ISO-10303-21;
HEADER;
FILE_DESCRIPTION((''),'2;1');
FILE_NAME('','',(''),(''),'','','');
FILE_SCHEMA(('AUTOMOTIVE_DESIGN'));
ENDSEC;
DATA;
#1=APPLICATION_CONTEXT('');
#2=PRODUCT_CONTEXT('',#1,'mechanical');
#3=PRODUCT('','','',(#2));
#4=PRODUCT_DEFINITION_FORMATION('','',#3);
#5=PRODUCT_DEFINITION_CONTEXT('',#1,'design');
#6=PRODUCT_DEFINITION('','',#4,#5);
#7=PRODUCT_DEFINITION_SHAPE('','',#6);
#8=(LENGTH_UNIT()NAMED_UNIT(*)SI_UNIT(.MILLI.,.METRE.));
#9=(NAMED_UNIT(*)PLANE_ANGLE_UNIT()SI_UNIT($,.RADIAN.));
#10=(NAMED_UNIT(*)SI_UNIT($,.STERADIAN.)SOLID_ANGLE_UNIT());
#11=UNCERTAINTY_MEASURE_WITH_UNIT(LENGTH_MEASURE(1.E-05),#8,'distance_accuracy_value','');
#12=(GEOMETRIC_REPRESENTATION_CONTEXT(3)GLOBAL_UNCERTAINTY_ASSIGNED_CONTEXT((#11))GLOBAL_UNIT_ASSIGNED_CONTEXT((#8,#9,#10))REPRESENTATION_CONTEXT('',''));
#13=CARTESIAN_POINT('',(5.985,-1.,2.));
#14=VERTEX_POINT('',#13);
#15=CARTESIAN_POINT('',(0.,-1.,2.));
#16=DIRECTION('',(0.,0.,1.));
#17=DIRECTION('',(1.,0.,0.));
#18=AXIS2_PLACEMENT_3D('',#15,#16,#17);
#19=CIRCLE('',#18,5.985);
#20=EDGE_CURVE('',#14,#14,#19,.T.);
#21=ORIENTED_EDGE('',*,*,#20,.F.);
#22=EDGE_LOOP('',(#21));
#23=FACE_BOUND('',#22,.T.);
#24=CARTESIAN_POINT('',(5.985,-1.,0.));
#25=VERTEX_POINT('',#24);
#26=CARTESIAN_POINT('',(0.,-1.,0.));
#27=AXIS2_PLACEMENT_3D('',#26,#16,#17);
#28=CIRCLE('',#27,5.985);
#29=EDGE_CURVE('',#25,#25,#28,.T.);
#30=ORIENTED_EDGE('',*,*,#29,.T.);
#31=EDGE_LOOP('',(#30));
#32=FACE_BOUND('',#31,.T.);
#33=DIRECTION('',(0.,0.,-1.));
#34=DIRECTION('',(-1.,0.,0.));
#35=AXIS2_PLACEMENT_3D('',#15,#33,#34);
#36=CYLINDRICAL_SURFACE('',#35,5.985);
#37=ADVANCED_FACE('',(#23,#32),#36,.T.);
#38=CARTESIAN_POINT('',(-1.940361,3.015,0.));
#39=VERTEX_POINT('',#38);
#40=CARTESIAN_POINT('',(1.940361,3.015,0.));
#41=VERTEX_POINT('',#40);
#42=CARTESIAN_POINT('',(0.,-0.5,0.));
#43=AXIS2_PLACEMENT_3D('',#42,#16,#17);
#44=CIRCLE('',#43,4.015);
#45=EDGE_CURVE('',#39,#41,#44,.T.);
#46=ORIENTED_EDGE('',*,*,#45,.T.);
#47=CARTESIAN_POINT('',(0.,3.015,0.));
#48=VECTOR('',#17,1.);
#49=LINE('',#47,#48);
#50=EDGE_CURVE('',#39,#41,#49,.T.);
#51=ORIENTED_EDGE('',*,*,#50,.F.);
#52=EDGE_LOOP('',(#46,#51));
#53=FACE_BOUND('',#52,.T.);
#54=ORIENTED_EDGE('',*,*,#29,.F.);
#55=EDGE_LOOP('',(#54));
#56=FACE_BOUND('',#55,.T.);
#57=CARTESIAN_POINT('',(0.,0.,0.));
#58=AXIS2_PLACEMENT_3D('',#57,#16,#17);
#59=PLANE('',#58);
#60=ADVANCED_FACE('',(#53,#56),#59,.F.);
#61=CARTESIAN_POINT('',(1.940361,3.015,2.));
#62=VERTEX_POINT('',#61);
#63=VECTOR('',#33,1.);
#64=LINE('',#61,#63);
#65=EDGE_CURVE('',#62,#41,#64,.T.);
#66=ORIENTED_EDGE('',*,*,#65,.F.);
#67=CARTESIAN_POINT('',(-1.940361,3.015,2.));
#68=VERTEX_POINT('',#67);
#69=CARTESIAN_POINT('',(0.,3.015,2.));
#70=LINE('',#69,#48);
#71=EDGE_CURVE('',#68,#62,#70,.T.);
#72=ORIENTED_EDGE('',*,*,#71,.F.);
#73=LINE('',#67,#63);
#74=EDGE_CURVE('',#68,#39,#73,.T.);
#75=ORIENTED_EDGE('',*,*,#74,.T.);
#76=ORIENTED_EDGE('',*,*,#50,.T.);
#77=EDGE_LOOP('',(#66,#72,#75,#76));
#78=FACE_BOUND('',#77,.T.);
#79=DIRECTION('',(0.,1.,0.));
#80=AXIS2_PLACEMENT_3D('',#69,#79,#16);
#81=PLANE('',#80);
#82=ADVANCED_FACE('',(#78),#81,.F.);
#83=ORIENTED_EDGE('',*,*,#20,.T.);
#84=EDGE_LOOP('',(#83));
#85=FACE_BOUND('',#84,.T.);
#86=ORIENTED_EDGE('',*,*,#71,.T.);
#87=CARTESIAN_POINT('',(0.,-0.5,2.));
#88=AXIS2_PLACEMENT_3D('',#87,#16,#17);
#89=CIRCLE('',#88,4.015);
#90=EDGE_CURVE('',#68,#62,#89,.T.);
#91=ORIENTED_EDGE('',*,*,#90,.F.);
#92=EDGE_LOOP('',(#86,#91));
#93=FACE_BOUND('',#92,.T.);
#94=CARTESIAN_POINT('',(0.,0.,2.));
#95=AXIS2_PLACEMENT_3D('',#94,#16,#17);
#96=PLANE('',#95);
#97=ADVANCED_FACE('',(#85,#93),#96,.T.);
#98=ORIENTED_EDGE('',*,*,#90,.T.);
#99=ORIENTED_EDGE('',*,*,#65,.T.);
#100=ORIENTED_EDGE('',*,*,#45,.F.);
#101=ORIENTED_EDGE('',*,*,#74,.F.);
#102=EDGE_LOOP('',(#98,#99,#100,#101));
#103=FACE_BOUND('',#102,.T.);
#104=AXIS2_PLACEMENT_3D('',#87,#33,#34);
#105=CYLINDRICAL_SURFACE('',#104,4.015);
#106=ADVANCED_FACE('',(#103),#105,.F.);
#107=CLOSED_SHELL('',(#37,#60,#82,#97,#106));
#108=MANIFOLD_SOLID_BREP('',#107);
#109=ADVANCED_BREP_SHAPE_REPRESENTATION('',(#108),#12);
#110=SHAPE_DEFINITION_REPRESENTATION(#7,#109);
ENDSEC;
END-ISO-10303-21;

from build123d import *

# Parameters (mm, degrees)
SKETCH_1_R      = 5.985
EXTRUDE_1_DEPTH = 2


with BuildPart() as part:
    # 草图1 → 凸台-拉伸1 (new body)
    with BuildSketch(Plane.XY):
        with Locations((0, -1)):
            Circle(SKETCH_1_R)
        with BuildLine():
            Line((-1.940360791, 3.015), (1.940360791, 3.015))
            ThreePointArc((1.940360791, 3.015), (0, -4.515), (-1.940360791, 3.015))
        make_face(mode=Mode.SUBTRACT)
    extrude(amount=EXTRUDE_1_DEPTH)


solid = part.part
